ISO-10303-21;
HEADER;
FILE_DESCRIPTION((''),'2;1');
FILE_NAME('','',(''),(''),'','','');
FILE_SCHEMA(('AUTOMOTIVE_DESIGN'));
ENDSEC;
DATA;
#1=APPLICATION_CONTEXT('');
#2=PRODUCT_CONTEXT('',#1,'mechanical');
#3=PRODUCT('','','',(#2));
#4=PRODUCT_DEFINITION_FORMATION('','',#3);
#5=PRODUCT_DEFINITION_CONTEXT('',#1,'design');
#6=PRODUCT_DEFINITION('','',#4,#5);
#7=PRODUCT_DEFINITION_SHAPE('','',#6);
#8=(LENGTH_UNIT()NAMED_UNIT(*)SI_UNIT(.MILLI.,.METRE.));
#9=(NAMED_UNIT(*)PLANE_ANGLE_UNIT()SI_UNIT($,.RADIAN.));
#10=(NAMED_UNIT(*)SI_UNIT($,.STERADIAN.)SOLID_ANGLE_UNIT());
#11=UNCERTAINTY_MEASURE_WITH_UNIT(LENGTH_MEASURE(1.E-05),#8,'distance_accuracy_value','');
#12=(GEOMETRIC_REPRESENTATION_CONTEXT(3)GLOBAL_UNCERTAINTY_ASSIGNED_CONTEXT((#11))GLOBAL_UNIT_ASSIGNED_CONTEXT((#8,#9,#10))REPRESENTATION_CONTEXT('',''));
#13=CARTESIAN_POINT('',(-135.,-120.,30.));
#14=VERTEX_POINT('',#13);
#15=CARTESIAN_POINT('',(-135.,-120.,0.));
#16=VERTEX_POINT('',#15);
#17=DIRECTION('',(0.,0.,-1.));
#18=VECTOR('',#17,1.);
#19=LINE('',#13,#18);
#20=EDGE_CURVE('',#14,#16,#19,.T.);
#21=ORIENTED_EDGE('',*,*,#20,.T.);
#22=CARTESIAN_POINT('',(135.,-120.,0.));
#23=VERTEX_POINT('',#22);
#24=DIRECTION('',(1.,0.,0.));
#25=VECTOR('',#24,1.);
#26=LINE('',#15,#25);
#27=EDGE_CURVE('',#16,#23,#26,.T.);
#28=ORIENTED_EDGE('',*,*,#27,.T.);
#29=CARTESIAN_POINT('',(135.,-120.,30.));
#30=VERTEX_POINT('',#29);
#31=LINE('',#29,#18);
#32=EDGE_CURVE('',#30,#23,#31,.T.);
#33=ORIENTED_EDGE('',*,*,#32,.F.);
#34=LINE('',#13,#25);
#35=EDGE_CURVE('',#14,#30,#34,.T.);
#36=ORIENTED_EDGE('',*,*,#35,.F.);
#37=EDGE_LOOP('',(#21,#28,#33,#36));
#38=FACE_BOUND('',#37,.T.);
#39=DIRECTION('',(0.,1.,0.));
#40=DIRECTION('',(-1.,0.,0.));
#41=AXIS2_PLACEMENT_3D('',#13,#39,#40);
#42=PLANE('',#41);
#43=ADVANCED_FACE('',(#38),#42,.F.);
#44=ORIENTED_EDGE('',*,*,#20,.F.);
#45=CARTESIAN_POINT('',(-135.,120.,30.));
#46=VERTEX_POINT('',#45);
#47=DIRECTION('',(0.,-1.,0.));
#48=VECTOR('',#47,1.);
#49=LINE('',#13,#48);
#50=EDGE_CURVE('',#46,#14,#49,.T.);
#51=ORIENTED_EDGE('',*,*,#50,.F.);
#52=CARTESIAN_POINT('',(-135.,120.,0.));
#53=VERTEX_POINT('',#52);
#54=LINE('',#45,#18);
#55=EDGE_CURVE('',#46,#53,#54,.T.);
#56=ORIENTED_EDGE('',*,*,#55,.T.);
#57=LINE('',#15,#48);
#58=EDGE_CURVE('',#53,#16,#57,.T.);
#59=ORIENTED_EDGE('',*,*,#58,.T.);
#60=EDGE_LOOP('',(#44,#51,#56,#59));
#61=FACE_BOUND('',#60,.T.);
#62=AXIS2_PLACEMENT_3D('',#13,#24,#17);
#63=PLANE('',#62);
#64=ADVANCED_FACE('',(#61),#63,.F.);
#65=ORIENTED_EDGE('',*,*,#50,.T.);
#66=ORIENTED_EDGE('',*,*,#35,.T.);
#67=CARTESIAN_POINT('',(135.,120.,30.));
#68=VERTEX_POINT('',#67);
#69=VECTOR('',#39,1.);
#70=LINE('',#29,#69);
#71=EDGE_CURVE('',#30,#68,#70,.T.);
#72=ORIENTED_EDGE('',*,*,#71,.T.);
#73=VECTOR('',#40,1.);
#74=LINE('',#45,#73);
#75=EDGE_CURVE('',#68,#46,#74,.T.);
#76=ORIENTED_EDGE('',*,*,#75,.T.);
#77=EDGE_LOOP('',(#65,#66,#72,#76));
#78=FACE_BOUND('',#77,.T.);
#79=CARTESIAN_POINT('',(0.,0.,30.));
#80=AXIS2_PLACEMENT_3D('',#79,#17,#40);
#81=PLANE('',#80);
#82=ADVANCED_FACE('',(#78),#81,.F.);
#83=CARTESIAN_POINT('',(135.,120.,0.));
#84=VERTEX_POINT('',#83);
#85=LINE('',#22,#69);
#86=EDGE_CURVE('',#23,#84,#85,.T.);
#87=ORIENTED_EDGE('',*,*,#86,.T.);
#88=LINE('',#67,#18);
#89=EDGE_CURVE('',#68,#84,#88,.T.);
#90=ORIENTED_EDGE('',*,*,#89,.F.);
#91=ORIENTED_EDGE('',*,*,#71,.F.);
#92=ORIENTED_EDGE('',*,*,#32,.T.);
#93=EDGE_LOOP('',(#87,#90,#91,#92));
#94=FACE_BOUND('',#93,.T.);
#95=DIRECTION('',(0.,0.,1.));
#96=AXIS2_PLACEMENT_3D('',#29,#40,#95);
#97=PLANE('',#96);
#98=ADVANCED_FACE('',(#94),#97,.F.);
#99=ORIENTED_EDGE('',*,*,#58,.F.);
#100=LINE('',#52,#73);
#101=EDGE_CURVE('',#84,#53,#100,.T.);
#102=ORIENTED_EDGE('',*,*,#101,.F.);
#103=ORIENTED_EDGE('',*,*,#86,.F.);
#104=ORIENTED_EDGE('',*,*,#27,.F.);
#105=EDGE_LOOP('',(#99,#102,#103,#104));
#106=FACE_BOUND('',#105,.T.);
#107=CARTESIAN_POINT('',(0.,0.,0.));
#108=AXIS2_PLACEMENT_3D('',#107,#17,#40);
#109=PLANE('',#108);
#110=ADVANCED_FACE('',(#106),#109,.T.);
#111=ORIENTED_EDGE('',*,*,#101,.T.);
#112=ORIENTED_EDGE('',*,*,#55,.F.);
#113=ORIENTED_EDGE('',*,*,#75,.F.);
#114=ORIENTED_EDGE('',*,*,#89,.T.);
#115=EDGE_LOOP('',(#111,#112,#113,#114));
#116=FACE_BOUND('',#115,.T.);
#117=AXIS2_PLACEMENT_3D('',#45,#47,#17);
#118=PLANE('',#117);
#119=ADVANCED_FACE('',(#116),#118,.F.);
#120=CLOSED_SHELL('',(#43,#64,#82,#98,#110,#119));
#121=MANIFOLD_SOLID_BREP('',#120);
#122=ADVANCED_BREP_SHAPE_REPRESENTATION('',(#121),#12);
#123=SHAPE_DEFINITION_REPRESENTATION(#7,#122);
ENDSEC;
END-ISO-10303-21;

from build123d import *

# Parameters (mm, degrees)
ESQUISSE1_W        = 270
ESQUISSE1_H        = 240
BOSS_EXTRU_1_DEPTH = 30


with BuildPart() as part:
    # Esquisse1 → Boss.-Extru.1 (new body)
    with BuildSketch(Plane.XY):
        Rectangle(ESQUISSE1_W, ESQUISSE1_H)
    extrude(amount=BOSS_EXTRU_1_DEPTH)


solid = part.part
